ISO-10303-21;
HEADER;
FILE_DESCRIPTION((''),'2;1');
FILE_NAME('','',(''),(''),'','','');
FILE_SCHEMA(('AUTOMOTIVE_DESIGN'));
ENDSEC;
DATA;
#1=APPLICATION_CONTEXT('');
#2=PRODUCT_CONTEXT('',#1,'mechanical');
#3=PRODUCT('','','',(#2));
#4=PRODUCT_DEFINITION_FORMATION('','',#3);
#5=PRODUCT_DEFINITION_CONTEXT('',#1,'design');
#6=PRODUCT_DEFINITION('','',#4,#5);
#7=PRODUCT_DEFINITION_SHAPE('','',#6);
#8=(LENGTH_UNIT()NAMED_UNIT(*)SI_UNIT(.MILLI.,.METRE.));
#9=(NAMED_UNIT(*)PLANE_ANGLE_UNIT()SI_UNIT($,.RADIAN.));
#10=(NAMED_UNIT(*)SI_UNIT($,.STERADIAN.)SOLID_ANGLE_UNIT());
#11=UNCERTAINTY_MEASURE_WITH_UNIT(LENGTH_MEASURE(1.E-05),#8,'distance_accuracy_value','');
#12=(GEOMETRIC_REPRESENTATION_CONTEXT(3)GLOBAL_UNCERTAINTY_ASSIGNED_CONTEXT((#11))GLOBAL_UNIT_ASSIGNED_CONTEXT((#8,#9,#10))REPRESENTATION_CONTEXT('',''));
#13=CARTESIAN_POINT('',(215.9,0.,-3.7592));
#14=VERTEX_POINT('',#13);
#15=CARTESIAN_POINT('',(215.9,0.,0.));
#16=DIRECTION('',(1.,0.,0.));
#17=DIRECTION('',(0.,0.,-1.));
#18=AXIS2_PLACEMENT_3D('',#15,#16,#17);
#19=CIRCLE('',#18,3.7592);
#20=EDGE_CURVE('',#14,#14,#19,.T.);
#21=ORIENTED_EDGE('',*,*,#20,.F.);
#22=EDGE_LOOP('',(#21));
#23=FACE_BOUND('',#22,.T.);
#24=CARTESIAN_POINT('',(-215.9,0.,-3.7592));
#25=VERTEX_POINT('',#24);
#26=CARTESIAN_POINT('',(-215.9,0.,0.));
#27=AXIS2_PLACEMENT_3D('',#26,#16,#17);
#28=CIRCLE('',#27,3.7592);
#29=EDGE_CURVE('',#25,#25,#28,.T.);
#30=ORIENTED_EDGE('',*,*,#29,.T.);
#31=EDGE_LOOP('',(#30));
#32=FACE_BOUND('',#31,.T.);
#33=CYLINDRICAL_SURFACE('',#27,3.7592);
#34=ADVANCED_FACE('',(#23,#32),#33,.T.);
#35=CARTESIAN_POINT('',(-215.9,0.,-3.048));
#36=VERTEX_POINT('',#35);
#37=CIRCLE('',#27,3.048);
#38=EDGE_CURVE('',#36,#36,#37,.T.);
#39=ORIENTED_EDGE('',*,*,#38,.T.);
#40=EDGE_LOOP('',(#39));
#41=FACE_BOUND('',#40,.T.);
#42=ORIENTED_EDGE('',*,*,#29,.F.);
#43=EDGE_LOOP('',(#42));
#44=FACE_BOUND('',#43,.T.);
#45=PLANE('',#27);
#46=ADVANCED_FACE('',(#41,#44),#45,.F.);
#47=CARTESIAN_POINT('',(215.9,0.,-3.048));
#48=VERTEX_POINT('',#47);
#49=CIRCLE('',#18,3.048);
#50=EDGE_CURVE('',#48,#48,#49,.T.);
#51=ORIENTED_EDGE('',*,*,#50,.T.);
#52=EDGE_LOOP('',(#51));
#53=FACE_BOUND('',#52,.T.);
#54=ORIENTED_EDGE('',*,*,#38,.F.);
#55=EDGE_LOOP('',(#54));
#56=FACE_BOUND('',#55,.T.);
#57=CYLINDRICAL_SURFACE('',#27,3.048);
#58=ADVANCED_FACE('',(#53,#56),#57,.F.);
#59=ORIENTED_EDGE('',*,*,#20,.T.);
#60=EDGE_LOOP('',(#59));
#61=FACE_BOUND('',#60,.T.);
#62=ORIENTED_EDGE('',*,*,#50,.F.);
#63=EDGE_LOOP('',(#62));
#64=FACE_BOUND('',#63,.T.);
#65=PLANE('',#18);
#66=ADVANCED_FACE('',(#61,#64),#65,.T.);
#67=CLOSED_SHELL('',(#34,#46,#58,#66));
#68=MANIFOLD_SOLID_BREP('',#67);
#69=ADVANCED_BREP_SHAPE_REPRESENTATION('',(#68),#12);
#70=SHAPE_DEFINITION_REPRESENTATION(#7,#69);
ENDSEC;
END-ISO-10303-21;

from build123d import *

# Parameters (mm, degrees)
BOSS_EXTRUDE1_DEPTH      = 215.9
BOSS_EXTRUDE1_DEPTH_BACK = 215.9
SKETCH1_R                = 3.7592
SKETCH1_R_2              = 3.048


with BuildPart() as part:
    # Sketch1 → Boss-Extrude1 (new, two sides: drawn at the far end of the back side and taken through both)
    with BuildSketch(Plane(origin=(0, 0, 0), x_dir=(0, 0, -1), z_dir=(1, 0, 0)).offset(-BOSS_EXTRUDE1_DEPTH_BACK)):
        Circle(SKETCH1_R)
        Circle(SKETCH1_R_2, mode=Mode.SUBTRACT)
    extrude(amount=BOSS_EXTRUDE1_DEPTH + BOSS_EXTRUDE1_DEPTH_BACK)


solid = part.part
